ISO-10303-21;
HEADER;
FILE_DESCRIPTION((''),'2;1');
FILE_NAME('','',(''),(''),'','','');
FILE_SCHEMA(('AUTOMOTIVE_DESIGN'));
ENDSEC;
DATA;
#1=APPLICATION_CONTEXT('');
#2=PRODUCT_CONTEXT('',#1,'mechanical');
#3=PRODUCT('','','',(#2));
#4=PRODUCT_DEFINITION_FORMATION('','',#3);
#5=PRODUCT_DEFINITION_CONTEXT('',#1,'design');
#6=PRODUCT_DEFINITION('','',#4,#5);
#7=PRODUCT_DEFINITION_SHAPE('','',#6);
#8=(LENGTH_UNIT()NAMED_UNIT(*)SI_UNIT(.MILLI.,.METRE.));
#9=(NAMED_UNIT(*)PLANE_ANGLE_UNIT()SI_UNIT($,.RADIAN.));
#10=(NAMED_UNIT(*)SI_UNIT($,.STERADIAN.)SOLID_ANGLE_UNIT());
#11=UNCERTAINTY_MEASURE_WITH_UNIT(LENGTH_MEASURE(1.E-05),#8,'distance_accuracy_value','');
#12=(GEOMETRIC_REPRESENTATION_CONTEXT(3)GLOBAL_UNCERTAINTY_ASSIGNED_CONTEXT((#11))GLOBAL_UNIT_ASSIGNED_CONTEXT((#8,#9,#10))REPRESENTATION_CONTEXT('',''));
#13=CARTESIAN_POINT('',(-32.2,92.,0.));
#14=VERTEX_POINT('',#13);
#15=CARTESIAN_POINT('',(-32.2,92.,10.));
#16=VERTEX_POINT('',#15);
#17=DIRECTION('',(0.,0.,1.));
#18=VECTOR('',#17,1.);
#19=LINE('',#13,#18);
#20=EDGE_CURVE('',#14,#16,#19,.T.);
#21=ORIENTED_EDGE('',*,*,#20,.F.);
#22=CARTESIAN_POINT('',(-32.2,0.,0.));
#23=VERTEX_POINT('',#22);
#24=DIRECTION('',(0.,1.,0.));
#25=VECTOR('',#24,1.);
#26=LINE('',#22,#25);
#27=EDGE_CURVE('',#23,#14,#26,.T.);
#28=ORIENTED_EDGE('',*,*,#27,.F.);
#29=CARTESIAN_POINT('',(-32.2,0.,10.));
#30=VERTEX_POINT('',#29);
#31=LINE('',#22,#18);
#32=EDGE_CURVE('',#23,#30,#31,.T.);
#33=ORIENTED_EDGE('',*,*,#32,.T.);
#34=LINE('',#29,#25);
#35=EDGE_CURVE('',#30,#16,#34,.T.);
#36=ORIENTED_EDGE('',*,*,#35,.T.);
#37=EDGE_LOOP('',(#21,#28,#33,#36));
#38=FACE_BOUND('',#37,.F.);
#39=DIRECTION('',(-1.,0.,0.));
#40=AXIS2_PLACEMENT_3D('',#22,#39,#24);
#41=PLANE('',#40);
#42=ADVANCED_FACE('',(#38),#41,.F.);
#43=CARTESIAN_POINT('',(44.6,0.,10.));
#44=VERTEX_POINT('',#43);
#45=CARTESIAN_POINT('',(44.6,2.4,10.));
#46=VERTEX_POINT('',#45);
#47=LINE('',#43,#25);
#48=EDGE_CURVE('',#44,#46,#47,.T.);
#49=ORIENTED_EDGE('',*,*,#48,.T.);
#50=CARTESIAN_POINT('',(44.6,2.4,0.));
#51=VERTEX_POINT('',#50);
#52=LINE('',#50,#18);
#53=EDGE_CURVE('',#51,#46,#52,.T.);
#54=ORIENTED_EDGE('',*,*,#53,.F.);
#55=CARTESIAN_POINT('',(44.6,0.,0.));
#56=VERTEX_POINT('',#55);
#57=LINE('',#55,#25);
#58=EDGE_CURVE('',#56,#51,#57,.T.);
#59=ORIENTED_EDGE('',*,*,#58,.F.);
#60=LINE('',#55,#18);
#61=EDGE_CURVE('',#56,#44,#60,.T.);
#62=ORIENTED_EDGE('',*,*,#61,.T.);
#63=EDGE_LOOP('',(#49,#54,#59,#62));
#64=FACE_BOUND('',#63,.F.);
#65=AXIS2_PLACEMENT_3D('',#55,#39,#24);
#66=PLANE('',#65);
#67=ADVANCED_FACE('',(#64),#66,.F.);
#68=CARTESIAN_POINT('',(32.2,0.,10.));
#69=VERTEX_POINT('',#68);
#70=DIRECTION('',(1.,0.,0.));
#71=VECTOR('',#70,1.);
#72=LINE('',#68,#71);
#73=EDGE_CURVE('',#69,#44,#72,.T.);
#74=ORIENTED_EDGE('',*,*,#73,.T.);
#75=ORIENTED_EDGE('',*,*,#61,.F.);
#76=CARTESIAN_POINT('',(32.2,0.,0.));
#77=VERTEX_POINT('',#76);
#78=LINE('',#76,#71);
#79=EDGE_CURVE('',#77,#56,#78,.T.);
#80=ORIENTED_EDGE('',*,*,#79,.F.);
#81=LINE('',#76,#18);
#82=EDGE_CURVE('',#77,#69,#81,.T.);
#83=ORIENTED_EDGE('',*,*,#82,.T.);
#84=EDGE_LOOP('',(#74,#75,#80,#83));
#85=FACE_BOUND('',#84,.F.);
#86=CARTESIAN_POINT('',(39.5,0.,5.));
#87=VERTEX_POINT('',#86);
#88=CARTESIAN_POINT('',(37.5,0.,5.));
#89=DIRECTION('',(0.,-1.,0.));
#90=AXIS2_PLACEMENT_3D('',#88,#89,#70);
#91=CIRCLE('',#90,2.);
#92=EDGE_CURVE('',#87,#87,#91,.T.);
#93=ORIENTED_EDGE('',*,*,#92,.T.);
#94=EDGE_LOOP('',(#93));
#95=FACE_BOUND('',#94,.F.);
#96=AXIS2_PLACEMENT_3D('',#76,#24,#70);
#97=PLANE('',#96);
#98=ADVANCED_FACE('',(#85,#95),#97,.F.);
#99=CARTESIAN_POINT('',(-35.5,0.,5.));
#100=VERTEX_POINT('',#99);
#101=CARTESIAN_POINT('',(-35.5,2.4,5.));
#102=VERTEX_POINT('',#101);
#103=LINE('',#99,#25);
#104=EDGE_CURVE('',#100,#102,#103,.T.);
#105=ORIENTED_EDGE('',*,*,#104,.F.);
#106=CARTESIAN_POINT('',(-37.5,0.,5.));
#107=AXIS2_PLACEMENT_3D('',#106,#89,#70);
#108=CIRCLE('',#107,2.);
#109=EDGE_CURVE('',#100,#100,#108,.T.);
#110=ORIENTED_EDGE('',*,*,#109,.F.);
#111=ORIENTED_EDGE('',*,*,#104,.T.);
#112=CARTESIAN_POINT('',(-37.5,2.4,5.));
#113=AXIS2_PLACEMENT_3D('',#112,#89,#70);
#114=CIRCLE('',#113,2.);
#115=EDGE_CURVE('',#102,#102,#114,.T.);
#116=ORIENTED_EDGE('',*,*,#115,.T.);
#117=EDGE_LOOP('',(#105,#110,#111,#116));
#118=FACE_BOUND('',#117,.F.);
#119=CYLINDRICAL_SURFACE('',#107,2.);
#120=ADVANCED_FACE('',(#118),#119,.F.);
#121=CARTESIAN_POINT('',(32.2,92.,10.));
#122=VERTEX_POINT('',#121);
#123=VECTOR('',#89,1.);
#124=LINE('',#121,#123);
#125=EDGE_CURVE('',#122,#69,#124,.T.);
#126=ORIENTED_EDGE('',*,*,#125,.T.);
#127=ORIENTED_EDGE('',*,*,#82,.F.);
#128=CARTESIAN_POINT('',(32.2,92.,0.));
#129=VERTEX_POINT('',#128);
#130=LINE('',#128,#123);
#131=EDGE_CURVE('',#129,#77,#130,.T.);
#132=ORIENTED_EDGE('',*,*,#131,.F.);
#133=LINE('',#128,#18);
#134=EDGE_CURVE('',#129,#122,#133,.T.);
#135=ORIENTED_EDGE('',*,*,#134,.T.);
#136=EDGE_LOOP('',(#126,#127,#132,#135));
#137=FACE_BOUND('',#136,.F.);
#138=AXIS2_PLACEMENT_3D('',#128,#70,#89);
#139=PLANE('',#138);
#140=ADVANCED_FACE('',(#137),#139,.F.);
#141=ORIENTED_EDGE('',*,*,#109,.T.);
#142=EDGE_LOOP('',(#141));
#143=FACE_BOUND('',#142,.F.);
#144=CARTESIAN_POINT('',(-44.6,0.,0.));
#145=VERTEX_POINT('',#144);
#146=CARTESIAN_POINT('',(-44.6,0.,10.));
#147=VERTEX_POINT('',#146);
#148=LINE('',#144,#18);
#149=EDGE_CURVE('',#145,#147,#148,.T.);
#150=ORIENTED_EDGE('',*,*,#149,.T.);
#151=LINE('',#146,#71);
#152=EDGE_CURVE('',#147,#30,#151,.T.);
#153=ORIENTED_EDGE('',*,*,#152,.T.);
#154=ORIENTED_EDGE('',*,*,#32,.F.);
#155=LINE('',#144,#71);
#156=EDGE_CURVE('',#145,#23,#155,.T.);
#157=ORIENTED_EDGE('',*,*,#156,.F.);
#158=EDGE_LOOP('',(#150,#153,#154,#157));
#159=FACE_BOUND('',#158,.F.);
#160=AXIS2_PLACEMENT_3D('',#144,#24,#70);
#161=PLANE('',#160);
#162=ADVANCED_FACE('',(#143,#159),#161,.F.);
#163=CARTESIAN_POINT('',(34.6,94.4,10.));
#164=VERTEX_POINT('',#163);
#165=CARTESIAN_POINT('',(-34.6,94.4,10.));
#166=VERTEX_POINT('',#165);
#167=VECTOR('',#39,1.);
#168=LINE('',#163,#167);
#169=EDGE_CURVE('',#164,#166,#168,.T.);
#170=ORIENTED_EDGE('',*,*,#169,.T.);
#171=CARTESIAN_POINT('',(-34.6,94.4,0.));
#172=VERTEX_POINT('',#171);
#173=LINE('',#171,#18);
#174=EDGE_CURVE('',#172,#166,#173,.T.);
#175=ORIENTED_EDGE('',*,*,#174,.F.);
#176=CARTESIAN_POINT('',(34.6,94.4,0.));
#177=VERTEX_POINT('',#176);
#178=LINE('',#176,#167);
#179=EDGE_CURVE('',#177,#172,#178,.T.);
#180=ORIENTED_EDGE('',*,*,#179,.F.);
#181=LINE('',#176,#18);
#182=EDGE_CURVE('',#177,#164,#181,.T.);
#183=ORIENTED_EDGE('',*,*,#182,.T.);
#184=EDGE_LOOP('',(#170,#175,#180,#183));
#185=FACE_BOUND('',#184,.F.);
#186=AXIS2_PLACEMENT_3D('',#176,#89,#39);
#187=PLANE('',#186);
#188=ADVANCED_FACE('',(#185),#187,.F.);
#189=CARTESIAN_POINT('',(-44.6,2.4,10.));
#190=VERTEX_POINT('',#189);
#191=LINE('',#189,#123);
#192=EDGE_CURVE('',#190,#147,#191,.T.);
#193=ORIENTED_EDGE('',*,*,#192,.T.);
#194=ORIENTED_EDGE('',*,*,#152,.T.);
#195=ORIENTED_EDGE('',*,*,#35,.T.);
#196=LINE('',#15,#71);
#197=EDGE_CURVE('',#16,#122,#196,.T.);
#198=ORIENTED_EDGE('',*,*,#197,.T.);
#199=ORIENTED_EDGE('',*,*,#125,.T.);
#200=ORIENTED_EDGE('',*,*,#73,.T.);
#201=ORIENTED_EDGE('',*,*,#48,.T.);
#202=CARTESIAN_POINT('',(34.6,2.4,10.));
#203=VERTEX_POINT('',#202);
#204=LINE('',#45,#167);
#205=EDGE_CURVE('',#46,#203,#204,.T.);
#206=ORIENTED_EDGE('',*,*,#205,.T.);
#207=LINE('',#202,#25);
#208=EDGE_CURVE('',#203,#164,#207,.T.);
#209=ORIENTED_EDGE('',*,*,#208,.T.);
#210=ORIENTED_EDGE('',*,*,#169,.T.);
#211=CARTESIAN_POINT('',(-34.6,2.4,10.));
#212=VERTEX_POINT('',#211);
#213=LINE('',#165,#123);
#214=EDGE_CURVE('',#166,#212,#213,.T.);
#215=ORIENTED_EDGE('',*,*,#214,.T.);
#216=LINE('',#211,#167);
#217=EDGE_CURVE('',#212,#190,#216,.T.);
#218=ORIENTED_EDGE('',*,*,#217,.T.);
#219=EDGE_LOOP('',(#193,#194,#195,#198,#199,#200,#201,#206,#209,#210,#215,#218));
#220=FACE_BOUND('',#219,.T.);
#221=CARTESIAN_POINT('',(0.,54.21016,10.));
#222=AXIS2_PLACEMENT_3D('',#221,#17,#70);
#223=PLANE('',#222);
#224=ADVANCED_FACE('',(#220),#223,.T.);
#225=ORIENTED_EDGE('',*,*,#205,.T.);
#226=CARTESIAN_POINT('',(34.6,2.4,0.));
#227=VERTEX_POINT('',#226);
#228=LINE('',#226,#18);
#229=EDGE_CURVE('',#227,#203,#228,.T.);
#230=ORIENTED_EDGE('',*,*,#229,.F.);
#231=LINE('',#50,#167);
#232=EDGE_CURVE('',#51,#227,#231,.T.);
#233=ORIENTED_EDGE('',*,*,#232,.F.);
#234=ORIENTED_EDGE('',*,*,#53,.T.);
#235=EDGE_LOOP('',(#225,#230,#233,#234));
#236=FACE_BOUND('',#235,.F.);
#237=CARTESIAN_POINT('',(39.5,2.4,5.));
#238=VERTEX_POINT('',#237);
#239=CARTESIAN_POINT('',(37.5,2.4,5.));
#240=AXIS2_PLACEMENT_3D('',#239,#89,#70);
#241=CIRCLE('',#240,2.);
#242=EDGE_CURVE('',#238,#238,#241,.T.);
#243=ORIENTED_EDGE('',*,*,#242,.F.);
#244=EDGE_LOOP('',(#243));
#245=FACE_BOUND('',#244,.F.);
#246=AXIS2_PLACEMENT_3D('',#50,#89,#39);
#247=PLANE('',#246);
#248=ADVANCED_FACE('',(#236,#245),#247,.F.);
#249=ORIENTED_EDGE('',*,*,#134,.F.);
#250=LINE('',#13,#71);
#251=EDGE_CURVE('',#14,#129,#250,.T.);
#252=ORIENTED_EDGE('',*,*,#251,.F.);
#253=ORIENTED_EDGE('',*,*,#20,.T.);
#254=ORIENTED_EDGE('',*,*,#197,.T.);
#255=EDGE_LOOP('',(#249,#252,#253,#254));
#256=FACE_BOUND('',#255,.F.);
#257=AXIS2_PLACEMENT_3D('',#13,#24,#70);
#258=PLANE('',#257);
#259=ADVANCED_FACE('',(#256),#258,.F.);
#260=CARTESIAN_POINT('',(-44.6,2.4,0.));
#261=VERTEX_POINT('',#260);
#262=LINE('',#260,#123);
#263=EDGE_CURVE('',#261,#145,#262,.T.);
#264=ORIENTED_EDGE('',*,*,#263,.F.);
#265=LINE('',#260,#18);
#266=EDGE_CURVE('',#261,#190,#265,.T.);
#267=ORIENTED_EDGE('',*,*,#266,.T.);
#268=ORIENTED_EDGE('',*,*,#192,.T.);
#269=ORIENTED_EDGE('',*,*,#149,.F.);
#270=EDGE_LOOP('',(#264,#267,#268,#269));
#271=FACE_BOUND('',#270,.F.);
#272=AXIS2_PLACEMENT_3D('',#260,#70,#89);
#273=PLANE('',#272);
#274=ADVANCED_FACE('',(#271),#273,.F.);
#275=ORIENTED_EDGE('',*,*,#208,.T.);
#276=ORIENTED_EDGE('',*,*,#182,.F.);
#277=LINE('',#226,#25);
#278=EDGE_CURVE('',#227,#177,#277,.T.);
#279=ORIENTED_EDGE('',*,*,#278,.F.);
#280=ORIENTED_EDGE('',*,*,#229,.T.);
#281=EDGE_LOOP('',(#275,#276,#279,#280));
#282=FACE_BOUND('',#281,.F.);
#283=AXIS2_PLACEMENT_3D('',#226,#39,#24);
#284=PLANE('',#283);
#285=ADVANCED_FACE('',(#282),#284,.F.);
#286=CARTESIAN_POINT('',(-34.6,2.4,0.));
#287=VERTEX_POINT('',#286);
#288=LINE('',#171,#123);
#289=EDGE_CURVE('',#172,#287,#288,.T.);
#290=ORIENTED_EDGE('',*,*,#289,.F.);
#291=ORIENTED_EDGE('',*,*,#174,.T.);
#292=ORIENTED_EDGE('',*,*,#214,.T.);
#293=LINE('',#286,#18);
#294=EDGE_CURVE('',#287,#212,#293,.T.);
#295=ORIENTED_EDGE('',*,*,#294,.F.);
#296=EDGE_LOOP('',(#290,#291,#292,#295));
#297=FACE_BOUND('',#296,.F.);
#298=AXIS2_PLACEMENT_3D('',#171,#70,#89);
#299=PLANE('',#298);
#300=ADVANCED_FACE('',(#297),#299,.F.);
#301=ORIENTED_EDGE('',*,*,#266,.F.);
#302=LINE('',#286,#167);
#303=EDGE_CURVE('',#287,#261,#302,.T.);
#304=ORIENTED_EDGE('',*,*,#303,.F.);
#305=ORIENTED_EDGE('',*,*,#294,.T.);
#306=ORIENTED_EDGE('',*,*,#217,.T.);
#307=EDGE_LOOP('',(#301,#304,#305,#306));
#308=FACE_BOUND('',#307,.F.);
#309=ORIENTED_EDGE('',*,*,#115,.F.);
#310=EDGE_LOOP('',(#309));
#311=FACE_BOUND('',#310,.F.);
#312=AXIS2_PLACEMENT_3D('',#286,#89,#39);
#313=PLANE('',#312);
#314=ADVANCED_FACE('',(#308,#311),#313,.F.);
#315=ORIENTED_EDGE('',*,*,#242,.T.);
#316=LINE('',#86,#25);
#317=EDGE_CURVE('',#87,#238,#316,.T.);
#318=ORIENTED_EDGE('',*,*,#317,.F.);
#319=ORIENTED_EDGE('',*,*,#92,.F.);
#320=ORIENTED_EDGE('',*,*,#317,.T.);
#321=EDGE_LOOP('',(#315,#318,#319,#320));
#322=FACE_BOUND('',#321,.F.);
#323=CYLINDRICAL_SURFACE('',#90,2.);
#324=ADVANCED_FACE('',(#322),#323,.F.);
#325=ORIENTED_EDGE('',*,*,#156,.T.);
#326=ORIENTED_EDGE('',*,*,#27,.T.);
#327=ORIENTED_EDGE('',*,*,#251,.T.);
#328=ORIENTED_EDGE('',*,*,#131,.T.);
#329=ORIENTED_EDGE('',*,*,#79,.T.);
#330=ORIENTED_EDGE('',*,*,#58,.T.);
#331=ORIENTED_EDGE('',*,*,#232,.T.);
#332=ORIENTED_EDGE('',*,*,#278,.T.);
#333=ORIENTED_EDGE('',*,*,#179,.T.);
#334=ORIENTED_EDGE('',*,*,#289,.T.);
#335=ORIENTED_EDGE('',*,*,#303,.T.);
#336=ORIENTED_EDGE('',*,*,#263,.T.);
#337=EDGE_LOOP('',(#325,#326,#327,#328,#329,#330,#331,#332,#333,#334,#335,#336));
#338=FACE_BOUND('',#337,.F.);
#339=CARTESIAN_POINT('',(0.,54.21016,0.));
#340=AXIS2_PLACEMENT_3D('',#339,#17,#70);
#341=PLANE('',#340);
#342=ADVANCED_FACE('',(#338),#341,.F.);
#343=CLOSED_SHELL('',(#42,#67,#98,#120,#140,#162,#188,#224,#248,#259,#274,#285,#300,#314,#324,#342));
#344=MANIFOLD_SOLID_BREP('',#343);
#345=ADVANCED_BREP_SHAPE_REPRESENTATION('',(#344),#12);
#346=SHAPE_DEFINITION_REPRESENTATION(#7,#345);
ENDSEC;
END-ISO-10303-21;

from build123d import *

# Parameters (mm, degrees)
PAD_DEPTH    = 10
SKETCH001_R  = 2
POCKET_DEPTH = 5


with BuildPart() as part:
    # Sketch → Pad (new body)
    with BuildSketch(Plane.XY):
        Polygon((34.6, 94.4), (-34.6, 94.4), (-34.6, 2.4), (-44.6, 2.4), (-44.6, 0), (-32.2, 0), (-32.2, 92), (32.2, 92), (32.2, 0), (44.6, 0), (44.6, 2.4), (34.6, 2.4), align=None)
    extrude(amount=PAD_DEPTH)

    # Sketch001 → Pocket (cut)
    with BuildSketch(Plane.XZ):
        with Locations((-37.5, 5)):
            Circle(SKETCH001_R)
        with Locations((37.5, 5)):
            Circle(SKETCH001_R)
    extrude(amount=-POCKET_DEPTH, mode=Mode.SUBTRACT)


solid = part.part
